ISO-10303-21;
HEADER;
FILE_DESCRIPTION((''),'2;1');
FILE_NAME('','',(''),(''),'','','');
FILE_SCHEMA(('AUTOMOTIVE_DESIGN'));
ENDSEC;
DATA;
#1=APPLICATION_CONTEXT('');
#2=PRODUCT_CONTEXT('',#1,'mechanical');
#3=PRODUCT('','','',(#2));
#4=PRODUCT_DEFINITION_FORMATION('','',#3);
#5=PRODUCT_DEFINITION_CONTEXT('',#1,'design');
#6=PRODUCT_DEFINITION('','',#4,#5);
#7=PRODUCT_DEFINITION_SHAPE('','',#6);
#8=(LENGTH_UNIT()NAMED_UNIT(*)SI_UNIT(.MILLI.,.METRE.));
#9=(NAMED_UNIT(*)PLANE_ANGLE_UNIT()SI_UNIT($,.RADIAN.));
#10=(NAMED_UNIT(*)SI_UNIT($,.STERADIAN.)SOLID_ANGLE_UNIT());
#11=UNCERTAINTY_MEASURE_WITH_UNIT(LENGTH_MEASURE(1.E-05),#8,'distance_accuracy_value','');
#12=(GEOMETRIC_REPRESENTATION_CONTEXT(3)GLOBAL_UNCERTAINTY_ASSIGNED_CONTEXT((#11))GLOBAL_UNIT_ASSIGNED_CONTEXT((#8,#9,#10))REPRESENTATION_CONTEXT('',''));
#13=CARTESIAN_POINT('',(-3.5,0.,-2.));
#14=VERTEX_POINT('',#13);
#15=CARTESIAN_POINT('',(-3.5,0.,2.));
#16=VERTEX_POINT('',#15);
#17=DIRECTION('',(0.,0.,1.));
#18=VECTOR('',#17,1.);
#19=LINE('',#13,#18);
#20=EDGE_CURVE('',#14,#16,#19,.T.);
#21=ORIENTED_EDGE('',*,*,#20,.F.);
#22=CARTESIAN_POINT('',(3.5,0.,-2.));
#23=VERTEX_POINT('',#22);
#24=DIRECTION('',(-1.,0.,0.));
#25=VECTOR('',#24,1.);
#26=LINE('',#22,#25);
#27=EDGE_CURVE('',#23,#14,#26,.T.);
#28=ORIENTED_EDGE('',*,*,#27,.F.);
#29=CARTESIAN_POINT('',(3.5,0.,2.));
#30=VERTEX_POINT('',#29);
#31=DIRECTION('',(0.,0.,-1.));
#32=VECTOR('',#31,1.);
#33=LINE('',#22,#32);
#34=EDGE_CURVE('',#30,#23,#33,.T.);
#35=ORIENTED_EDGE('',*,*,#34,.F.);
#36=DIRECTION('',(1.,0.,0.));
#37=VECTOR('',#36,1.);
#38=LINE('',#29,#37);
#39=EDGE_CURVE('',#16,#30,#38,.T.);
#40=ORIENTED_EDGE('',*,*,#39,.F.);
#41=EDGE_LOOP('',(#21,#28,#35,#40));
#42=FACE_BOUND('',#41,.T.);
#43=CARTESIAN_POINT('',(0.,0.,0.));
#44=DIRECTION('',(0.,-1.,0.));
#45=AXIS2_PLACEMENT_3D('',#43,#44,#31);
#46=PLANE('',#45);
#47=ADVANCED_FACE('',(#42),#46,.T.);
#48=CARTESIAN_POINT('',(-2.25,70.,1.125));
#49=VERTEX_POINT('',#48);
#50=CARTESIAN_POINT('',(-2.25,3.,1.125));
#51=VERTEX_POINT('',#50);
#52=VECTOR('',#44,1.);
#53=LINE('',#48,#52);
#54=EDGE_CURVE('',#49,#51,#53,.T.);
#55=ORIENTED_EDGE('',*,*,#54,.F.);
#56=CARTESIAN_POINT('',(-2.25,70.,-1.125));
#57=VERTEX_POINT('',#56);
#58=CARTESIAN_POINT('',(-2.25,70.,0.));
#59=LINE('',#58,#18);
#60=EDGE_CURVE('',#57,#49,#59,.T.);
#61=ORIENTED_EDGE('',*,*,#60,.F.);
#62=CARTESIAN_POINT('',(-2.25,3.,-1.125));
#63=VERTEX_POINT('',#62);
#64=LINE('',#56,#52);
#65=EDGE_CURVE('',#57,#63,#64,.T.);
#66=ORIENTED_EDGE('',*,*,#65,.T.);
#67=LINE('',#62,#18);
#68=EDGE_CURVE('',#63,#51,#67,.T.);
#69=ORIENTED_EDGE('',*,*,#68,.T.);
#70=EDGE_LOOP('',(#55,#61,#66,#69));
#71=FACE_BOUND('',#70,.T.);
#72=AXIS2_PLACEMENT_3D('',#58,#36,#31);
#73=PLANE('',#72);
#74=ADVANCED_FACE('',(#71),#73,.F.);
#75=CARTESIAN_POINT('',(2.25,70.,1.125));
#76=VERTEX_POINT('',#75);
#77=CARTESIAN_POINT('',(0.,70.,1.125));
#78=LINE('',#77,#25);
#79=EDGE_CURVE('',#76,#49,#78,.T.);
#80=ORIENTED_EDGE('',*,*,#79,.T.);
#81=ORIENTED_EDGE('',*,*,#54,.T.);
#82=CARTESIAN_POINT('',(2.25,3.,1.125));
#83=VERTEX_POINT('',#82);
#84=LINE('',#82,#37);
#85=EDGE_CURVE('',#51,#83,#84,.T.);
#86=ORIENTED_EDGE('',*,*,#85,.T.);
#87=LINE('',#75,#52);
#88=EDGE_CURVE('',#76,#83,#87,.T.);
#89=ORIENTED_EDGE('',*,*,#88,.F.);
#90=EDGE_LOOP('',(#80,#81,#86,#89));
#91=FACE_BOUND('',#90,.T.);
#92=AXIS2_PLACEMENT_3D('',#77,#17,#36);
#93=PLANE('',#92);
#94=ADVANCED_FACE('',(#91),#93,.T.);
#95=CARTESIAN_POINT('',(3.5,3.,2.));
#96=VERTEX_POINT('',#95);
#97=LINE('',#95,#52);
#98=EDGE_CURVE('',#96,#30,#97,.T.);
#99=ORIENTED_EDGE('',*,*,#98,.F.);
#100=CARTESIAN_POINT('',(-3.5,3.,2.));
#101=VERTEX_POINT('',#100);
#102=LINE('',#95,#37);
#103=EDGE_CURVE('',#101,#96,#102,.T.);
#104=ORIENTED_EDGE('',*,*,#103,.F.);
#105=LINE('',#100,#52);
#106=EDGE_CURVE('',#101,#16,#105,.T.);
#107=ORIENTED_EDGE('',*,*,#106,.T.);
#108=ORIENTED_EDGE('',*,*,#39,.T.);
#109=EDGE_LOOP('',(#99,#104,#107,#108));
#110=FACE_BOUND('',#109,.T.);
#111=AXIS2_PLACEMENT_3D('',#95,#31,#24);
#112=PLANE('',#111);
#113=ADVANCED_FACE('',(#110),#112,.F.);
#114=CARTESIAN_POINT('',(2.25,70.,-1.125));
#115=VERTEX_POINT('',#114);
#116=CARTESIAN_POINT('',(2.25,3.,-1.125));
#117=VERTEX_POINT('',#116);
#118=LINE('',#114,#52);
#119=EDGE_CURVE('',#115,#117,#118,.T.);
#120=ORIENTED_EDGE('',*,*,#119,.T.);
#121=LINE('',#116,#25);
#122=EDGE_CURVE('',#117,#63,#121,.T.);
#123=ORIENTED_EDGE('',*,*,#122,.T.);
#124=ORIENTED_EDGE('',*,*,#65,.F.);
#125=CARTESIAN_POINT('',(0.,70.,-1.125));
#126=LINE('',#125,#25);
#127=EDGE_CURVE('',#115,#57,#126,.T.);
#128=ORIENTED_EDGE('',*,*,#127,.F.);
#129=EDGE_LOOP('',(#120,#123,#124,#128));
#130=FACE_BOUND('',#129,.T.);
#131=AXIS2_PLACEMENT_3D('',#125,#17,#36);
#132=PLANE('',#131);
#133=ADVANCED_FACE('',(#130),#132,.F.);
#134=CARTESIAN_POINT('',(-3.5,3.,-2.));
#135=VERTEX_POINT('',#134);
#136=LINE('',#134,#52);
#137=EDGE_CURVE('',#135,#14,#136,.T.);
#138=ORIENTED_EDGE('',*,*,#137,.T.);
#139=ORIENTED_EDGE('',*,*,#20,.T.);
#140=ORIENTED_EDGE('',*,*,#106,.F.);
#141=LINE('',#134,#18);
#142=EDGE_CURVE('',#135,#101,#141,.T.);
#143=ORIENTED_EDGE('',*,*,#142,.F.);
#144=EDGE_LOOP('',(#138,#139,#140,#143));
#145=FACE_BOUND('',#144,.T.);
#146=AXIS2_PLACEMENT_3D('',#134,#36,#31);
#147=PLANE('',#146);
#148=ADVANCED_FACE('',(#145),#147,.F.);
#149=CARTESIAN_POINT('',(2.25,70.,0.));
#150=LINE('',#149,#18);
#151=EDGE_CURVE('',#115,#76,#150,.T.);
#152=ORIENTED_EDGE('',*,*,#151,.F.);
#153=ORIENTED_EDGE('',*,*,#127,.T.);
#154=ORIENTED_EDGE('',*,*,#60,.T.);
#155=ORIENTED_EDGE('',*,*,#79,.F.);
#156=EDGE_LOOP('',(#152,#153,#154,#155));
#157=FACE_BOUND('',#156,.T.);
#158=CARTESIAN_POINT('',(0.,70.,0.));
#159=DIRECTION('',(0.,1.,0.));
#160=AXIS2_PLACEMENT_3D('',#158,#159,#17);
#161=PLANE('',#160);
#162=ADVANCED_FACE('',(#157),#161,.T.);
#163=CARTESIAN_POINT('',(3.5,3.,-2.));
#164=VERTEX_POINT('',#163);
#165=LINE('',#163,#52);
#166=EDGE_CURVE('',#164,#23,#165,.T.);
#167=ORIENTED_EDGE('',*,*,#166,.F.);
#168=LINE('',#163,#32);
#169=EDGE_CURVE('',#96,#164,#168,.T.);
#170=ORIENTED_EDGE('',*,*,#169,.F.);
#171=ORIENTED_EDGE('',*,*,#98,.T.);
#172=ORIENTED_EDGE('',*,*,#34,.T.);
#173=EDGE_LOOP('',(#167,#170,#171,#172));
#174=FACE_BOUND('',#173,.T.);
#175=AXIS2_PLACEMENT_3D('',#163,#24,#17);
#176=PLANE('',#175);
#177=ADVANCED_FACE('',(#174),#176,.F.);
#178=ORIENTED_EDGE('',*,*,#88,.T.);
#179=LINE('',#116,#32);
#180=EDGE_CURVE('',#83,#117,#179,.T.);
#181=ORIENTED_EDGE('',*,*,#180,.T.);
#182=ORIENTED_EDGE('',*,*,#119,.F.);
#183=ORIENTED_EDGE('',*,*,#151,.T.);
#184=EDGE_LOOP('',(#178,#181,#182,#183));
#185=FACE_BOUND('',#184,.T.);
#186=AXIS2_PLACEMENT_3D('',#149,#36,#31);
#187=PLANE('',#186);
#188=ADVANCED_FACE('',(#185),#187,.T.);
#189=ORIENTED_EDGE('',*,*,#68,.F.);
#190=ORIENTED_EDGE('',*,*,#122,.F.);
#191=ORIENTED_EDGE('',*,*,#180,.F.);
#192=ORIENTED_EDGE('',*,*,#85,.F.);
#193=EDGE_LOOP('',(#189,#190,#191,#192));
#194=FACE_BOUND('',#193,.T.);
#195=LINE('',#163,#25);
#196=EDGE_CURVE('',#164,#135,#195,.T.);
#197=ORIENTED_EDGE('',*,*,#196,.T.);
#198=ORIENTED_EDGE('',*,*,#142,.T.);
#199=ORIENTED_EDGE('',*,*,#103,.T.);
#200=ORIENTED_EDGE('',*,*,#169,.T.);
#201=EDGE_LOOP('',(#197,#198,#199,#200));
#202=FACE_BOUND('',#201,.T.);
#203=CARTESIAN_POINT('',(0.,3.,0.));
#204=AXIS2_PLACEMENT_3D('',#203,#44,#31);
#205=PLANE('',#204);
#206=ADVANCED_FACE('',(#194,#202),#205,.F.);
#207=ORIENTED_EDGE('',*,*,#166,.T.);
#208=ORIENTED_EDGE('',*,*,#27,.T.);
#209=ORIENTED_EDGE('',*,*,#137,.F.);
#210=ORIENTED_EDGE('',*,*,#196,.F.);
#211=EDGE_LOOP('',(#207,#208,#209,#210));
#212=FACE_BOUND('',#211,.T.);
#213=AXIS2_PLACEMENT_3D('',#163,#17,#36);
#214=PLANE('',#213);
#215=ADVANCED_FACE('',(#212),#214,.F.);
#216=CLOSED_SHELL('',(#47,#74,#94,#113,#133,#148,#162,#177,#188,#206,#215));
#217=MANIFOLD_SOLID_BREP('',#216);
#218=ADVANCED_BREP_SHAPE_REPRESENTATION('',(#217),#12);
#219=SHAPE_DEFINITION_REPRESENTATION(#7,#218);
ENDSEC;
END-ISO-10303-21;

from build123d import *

# Parameters (mm, degrees)
SKETCH1_W           = 7
SKETCH1_H           = 4
SKETCH1_W_2         = 4.5
SKETCH1_H_2         = 2.25
BOSS_EXTRUDE1_DEPTH = 3
SKETCH1_2_W         = 4.5
SKETCH1_2_H         = 2.25
BOSS_EXTRUDE2_DEPTH = 70


with BuildPart() as part:
    # Sketch1 → Boss-Extrude1 (new body)
    with BuildSketch(Plane(origin=(0, 0, 0), x_dir=(1, 0, 0), z_dir=(0, 1, 0))):
        Rectangle(SKETCH1_W, SKETCH1_H)
        Rectangle(SKETCH1_W_2, SKETCH1_H_2, mode=Mode.SUBTRACT)
    extrude(amount=BOSS_EXTRUDE1_DEPTH)

    # Sketch1<2> → Boss-Extrude2 (add)
    with BuildSketch(Plane(origin=(0, 0, 0), x_dir=(1, 0, 0), z_dir=(0, 1, 0))):
        Rectangle(SKETCH1_2_W, SKETCH1_2_H)
    extrude(amount=BOSS_EXTRUDE2_DEPTH)


solid = part.part
